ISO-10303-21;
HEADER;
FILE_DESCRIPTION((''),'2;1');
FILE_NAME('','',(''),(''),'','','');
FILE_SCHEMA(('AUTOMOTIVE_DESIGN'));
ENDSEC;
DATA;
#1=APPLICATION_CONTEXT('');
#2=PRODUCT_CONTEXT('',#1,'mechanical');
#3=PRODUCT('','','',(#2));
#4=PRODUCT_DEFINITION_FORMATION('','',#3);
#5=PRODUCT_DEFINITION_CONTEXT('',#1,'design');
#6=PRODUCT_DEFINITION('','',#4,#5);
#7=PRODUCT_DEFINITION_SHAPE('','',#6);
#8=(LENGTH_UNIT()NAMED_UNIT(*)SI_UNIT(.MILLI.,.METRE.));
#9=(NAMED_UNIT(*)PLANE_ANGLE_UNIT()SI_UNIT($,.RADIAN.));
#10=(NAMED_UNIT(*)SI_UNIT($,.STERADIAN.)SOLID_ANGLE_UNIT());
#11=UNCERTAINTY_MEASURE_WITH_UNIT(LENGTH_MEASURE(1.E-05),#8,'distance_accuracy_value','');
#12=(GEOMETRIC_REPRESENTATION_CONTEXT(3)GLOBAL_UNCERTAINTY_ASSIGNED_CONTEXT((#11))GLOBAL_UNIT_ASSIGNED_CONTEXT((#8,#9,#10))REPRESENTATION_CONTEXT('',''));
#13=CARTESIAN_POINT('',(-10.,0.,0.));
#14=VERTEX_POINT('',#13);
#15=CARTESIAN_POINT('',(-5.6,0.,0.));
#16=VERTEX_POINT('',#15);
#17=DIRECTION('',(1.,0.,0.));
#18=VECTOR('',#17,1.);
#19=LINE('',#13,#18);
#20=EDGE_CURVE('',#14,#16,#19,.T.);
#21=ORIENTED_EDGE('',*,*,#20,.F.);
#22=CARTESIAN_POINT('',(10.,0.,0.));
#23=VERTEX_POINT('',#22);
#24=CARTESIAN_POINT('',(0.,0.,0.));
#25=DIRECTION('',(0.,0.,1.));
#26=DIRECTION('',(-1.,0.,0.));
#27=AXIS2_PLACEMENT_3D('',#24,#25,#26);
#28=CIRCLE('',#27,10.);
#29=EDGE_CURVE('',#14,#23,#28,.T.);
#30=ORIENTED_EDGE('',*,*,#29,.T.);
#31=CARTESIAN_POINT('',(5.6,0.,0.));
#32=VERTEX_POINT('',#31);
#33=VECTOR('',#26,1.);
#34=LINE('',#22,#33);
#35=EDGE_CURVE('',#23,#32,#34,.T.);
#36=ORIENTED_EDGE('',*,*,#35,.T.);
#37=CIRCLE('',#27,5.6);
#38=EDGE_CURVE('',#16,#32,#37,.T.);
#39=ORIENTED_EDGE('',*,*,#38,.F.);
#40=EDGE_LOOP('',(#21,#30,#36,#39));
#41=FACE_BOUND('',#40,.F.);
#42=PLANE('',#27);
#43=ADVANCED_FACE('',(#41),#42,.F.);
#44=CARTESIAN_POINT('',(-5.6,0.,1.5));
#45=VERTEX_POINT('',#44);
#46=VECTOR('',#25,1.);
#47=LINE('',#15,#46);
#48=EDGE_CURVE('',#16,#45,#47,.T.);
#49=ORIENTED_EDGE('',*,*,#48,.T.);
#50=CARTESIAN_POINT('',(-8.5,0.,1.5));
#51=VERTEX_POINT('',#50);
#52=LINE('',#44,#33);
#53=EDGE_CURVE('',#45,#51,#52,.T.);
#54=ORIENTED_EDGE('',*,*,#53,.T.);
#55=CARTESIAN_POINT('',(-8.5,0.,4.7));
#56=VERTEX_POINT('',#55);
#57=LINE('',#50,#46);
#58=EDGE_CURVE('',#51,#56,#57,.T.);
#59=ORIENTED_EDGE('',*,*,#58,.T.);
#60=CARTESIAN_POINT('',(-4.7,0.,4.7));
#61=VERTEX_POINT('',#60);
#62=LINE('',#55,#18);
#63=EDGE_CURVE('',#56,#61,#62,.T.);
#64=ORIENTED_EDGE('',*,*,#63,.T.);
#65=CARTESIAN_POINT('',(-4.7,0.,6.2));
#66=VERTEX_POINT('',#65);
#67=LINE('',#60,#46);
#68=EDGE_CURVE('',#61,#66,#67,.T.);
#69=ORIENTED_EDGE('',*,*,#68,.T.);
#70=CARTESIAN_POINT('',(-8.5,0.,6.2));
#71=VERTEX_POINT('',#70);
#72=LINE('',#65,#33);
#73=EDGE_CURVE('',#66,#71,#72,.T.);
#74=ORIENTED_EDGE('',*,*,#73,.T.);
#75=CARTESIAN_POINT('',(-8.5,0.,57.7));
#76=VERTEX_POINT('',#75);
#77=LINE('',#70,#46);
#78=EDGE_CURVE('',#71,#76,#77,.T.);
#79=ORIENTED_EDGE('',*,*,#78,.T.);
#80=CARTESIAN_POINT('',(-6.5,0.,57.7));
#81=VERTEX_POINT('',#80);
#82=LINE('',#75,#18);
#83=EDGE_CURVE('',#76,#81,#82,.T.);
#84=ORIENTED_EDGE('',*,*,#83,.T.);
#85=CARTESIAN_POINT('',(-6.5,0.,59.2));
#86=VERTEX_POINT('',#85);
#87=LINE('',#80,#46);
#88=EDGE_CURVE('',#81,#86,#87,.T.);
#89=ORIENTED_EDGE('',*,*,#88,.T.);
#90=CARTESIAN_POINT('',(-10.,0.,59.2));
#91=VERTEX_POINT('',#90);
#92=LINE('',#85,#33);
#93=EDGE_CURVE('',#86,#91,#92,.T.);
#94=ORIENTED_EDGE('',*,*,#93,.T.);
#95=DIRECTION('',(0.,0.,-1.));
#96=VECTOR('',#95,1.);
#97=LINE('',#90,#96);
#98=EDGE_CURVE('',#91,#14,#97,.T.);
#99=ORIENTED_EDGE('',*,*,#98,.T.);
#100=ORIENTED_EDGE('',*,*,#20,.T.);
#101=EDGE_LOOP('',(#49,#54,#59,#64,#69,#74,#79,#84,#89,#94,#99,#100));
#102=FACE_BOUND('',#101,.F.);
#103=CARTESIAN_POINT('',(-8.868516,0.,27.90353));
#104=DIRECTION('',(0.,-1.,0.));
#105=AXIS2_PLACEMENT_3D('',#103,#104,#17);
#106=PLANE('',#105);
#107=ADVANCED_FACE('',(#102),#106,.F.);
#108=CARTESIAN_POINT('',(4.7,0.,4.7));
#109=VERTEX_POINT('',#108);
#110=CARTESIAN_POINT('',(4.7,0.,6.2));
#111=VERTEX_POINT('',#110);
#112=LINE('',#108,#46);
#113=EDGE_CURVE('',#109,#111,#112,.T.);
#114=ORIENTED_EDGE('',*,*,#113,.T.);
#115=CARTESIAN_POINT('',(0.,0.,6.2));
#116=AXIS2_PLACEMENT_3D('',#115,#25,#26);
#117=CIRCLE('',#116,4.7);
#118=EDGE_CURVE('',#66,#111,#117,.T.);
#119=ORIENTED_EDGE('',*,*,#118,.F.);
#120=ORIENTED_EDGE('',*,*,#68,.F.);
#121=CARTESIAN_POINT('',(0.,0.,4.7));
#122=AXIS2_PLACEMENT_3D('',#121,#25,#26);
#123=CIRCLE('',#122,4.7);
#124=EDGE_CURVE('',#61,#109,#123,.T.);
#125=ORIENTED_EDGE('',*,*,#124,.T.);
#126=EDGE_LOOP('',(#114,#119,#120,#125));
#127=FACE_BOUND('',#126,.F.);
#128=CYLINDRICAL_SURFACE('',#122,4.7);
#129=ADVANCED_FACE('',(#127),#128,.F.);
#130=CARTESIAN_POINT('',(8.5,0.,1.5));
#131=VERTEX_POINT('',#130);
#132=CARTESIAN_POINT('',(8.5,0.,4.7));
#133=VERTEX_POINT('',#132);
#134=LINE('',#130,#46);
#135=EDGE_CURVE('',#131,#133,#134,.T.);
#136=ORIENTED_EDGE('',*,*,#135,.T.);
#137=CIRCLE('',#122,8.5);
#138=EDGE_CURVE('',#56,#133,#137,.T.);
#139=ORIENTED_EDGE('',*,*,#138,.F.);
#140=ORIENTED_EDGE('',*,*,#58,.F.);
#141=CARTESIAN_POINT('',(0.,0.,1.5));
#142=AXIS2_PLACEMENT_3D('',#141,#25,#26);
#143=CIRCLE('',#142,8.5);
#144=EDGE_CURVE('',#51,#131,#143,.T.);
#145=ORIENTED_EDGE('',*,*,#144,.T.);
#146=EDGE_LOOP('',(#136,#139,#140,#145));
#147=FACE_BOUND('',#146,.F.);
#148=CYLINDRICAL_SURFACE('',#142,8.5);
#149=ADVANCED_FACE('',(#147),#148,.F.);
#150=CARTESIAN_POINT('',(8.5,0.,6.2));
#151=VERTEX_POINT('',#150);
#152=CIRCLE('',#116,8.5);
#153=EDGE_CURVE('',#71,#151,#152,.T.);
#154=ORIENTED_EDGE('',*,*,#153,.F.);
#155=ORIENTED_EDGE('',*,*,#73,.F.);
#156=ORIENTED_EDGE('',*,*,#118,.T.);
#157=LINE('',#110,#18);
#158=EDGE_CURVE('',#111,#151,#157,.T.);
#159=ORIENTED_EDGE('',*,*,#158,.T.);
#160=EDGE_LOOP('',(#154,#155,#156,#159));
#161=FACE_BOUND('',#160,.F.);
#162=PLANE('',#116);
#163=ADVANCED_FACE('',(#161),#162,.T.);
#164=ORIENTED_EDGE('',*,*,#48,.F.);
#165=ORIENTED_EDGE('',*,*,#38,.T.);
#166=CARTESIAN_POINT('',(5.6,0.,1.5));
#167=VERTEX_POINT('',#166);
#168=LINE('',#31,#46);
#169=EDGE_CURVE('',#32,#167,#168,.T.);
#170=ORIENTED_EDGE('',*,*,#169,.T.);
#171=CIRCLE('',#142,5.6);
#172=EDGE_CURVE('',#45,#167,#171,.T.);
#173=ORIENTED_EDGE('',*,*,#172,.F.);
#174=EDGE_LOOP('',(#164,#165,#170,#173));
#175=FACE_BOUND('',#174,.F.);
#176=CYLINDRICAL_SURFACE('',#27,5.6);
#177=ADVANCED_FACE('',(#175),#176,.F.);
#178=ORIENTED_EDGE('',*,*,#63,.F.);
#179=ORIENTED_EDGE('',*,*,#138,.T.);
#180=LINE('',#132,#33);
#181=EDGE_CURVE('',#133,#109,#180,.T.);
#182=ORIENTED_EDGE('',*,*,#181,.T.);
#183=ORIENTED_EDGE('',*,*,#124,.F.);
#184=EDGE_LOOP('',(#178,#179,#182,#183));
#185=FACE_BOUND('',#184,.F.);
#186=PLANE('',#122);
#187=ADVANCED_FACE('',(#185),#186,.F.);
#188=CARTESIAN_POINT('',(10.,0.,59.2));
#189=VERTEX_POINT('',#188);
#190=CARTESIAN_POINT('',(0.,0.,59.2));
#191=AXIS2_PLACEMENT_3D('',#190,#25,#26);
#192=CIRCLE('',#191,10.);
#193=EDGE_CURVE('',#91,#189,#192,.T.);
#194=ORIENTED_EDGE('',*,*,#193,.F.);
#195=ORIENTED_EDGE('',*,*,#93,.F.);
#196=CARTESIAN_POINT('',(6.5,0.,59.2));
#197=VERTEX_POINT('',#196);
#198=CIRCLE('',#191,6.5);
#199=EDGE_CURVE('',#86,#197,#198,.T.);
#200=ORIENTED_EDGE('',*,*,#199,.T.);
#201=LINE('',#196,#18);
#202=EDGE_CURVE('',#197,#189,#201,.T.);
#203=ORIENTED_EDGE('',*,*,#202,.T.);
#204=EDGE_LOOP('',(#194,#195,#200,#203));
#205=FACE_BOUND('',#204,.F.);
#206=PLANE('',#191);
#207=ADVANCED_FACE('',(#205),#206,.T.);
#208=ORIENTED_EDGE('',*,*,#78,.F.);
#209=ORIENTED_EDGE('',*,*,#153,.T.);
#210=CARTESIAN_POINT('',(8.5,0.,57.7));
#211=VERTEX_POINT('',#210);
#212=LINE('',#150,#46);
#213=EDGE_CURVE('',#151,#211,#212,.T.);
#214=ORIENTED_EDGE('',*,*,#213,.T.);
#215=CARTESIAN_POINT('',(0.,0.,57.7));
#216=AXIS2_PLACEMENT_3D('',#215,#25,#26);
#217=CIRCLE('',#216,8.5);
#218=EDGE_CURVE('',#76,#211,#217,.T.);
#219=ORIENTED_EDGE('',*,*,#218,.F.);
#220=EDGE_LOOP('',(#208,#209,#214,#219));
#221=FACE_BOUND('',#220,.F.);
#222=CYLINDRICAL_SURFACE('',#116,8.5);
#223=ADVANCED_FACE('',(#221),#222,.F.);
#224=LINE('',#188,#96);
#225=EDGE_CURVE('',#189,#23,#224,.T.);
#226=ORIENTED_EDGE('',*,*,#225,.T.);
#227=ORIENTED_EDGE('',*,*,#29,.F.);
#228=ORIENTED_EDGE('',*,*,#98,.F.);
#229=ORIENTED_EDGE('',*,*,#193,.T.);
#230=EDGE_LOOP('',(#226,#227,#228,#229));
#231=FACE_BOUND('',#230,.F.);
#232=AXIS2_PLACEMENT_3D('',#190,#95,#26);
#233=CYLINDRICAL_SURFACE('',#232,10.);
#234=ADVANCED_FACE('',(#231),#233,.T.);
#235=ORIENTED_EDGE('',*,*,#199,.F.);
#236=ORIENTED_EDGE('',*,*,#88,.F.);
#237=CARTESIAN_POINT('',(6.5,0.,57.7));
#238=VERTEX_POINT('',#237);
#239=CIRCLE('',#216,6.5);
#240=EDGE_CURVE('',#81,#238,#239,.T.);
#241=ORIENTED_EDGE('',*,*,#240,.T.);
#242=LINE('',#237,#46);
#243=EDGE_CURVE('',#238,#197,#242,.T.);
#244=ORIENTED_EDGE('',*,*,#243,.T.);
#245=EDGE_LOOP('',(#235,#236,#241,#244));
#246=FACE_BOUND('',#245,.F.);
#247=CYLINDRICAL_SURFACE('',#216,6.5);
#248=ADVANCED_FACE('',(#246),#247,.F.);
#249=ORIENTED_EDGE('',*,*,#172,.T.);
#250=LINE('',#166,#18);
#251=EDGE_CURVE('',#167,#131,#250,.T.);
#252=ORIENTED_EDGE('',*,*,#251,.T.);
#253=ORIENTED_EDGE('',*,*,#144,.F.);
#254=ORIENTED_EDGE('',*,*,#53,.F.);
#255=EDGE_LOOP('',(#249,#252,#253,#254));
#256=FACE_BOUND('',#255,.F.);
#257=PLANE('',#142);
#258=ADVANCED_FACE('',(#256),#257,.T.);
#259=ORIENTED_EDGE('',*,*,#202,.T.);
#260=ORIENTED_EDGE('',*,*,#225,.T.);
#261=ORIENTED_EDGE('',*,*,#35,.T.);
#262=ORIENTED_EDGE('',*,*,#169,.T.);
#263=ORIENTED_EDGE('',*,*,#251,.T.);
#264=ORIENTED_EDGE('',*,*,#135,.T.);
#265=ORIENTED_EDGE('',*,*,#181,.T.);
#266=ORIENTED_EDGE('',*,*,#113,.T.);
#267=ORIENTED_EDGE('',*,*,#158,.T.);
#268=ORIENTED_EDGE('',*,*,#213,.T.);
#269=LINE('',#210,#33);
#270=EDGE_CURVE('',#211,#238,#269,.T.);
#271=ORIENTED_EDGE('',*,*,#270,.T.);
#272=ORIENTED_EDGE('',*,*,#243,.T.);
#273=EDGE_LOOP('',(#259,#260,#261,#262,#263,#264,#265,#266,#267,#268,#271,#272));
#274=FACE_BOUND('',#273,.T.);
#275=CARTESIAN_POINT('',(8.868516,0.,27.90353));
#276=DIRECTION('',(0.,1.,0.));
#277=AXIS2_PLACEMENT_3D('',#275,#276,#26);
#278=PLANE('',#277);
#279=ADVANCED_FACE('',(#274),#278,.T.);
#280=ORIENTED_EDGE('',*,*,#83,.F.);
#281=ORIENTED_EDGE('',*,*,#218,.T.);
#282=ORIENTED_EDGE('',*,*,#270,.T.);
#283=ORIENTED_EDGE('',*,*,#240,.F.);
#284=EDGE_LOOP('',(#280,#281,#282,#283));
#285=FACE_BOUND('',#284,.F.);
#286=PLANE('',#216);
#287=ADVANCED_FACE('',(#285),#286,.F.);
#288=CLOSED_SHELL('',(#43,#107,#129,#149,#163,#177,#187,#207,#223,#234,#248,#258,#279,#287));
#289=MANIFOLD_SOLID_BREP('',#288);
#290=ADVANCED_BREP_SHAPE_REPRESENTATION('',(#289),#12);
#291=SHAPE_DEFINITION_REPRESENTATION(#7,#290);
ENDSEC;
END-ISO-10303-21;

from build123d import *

# Parameters (mm, degrees)
F1_ANGLE = 180


with BuildPart() as f1:
    # F0 (on Front) → F1 (revolve)
    with BuildSketch(Plane.XZ):
        Polygon((-6.5, 57.7), (-6.5, 59.2), (-10, 59.2), (-10, 0), (-5.6, 0), (-5.6, 1.5), (-8.5, 1.5), (-8.5, 4.7), (-4.7, 4.7), (-4.7, 6.2), (-8.5, 6.2), (-8.5, 57.7), align=None)
    revolve(axis=Axis((0, 0, 29.6), (0, 0, 1)), revolution_arc=F1_ANGLE)


solid = f1.part
